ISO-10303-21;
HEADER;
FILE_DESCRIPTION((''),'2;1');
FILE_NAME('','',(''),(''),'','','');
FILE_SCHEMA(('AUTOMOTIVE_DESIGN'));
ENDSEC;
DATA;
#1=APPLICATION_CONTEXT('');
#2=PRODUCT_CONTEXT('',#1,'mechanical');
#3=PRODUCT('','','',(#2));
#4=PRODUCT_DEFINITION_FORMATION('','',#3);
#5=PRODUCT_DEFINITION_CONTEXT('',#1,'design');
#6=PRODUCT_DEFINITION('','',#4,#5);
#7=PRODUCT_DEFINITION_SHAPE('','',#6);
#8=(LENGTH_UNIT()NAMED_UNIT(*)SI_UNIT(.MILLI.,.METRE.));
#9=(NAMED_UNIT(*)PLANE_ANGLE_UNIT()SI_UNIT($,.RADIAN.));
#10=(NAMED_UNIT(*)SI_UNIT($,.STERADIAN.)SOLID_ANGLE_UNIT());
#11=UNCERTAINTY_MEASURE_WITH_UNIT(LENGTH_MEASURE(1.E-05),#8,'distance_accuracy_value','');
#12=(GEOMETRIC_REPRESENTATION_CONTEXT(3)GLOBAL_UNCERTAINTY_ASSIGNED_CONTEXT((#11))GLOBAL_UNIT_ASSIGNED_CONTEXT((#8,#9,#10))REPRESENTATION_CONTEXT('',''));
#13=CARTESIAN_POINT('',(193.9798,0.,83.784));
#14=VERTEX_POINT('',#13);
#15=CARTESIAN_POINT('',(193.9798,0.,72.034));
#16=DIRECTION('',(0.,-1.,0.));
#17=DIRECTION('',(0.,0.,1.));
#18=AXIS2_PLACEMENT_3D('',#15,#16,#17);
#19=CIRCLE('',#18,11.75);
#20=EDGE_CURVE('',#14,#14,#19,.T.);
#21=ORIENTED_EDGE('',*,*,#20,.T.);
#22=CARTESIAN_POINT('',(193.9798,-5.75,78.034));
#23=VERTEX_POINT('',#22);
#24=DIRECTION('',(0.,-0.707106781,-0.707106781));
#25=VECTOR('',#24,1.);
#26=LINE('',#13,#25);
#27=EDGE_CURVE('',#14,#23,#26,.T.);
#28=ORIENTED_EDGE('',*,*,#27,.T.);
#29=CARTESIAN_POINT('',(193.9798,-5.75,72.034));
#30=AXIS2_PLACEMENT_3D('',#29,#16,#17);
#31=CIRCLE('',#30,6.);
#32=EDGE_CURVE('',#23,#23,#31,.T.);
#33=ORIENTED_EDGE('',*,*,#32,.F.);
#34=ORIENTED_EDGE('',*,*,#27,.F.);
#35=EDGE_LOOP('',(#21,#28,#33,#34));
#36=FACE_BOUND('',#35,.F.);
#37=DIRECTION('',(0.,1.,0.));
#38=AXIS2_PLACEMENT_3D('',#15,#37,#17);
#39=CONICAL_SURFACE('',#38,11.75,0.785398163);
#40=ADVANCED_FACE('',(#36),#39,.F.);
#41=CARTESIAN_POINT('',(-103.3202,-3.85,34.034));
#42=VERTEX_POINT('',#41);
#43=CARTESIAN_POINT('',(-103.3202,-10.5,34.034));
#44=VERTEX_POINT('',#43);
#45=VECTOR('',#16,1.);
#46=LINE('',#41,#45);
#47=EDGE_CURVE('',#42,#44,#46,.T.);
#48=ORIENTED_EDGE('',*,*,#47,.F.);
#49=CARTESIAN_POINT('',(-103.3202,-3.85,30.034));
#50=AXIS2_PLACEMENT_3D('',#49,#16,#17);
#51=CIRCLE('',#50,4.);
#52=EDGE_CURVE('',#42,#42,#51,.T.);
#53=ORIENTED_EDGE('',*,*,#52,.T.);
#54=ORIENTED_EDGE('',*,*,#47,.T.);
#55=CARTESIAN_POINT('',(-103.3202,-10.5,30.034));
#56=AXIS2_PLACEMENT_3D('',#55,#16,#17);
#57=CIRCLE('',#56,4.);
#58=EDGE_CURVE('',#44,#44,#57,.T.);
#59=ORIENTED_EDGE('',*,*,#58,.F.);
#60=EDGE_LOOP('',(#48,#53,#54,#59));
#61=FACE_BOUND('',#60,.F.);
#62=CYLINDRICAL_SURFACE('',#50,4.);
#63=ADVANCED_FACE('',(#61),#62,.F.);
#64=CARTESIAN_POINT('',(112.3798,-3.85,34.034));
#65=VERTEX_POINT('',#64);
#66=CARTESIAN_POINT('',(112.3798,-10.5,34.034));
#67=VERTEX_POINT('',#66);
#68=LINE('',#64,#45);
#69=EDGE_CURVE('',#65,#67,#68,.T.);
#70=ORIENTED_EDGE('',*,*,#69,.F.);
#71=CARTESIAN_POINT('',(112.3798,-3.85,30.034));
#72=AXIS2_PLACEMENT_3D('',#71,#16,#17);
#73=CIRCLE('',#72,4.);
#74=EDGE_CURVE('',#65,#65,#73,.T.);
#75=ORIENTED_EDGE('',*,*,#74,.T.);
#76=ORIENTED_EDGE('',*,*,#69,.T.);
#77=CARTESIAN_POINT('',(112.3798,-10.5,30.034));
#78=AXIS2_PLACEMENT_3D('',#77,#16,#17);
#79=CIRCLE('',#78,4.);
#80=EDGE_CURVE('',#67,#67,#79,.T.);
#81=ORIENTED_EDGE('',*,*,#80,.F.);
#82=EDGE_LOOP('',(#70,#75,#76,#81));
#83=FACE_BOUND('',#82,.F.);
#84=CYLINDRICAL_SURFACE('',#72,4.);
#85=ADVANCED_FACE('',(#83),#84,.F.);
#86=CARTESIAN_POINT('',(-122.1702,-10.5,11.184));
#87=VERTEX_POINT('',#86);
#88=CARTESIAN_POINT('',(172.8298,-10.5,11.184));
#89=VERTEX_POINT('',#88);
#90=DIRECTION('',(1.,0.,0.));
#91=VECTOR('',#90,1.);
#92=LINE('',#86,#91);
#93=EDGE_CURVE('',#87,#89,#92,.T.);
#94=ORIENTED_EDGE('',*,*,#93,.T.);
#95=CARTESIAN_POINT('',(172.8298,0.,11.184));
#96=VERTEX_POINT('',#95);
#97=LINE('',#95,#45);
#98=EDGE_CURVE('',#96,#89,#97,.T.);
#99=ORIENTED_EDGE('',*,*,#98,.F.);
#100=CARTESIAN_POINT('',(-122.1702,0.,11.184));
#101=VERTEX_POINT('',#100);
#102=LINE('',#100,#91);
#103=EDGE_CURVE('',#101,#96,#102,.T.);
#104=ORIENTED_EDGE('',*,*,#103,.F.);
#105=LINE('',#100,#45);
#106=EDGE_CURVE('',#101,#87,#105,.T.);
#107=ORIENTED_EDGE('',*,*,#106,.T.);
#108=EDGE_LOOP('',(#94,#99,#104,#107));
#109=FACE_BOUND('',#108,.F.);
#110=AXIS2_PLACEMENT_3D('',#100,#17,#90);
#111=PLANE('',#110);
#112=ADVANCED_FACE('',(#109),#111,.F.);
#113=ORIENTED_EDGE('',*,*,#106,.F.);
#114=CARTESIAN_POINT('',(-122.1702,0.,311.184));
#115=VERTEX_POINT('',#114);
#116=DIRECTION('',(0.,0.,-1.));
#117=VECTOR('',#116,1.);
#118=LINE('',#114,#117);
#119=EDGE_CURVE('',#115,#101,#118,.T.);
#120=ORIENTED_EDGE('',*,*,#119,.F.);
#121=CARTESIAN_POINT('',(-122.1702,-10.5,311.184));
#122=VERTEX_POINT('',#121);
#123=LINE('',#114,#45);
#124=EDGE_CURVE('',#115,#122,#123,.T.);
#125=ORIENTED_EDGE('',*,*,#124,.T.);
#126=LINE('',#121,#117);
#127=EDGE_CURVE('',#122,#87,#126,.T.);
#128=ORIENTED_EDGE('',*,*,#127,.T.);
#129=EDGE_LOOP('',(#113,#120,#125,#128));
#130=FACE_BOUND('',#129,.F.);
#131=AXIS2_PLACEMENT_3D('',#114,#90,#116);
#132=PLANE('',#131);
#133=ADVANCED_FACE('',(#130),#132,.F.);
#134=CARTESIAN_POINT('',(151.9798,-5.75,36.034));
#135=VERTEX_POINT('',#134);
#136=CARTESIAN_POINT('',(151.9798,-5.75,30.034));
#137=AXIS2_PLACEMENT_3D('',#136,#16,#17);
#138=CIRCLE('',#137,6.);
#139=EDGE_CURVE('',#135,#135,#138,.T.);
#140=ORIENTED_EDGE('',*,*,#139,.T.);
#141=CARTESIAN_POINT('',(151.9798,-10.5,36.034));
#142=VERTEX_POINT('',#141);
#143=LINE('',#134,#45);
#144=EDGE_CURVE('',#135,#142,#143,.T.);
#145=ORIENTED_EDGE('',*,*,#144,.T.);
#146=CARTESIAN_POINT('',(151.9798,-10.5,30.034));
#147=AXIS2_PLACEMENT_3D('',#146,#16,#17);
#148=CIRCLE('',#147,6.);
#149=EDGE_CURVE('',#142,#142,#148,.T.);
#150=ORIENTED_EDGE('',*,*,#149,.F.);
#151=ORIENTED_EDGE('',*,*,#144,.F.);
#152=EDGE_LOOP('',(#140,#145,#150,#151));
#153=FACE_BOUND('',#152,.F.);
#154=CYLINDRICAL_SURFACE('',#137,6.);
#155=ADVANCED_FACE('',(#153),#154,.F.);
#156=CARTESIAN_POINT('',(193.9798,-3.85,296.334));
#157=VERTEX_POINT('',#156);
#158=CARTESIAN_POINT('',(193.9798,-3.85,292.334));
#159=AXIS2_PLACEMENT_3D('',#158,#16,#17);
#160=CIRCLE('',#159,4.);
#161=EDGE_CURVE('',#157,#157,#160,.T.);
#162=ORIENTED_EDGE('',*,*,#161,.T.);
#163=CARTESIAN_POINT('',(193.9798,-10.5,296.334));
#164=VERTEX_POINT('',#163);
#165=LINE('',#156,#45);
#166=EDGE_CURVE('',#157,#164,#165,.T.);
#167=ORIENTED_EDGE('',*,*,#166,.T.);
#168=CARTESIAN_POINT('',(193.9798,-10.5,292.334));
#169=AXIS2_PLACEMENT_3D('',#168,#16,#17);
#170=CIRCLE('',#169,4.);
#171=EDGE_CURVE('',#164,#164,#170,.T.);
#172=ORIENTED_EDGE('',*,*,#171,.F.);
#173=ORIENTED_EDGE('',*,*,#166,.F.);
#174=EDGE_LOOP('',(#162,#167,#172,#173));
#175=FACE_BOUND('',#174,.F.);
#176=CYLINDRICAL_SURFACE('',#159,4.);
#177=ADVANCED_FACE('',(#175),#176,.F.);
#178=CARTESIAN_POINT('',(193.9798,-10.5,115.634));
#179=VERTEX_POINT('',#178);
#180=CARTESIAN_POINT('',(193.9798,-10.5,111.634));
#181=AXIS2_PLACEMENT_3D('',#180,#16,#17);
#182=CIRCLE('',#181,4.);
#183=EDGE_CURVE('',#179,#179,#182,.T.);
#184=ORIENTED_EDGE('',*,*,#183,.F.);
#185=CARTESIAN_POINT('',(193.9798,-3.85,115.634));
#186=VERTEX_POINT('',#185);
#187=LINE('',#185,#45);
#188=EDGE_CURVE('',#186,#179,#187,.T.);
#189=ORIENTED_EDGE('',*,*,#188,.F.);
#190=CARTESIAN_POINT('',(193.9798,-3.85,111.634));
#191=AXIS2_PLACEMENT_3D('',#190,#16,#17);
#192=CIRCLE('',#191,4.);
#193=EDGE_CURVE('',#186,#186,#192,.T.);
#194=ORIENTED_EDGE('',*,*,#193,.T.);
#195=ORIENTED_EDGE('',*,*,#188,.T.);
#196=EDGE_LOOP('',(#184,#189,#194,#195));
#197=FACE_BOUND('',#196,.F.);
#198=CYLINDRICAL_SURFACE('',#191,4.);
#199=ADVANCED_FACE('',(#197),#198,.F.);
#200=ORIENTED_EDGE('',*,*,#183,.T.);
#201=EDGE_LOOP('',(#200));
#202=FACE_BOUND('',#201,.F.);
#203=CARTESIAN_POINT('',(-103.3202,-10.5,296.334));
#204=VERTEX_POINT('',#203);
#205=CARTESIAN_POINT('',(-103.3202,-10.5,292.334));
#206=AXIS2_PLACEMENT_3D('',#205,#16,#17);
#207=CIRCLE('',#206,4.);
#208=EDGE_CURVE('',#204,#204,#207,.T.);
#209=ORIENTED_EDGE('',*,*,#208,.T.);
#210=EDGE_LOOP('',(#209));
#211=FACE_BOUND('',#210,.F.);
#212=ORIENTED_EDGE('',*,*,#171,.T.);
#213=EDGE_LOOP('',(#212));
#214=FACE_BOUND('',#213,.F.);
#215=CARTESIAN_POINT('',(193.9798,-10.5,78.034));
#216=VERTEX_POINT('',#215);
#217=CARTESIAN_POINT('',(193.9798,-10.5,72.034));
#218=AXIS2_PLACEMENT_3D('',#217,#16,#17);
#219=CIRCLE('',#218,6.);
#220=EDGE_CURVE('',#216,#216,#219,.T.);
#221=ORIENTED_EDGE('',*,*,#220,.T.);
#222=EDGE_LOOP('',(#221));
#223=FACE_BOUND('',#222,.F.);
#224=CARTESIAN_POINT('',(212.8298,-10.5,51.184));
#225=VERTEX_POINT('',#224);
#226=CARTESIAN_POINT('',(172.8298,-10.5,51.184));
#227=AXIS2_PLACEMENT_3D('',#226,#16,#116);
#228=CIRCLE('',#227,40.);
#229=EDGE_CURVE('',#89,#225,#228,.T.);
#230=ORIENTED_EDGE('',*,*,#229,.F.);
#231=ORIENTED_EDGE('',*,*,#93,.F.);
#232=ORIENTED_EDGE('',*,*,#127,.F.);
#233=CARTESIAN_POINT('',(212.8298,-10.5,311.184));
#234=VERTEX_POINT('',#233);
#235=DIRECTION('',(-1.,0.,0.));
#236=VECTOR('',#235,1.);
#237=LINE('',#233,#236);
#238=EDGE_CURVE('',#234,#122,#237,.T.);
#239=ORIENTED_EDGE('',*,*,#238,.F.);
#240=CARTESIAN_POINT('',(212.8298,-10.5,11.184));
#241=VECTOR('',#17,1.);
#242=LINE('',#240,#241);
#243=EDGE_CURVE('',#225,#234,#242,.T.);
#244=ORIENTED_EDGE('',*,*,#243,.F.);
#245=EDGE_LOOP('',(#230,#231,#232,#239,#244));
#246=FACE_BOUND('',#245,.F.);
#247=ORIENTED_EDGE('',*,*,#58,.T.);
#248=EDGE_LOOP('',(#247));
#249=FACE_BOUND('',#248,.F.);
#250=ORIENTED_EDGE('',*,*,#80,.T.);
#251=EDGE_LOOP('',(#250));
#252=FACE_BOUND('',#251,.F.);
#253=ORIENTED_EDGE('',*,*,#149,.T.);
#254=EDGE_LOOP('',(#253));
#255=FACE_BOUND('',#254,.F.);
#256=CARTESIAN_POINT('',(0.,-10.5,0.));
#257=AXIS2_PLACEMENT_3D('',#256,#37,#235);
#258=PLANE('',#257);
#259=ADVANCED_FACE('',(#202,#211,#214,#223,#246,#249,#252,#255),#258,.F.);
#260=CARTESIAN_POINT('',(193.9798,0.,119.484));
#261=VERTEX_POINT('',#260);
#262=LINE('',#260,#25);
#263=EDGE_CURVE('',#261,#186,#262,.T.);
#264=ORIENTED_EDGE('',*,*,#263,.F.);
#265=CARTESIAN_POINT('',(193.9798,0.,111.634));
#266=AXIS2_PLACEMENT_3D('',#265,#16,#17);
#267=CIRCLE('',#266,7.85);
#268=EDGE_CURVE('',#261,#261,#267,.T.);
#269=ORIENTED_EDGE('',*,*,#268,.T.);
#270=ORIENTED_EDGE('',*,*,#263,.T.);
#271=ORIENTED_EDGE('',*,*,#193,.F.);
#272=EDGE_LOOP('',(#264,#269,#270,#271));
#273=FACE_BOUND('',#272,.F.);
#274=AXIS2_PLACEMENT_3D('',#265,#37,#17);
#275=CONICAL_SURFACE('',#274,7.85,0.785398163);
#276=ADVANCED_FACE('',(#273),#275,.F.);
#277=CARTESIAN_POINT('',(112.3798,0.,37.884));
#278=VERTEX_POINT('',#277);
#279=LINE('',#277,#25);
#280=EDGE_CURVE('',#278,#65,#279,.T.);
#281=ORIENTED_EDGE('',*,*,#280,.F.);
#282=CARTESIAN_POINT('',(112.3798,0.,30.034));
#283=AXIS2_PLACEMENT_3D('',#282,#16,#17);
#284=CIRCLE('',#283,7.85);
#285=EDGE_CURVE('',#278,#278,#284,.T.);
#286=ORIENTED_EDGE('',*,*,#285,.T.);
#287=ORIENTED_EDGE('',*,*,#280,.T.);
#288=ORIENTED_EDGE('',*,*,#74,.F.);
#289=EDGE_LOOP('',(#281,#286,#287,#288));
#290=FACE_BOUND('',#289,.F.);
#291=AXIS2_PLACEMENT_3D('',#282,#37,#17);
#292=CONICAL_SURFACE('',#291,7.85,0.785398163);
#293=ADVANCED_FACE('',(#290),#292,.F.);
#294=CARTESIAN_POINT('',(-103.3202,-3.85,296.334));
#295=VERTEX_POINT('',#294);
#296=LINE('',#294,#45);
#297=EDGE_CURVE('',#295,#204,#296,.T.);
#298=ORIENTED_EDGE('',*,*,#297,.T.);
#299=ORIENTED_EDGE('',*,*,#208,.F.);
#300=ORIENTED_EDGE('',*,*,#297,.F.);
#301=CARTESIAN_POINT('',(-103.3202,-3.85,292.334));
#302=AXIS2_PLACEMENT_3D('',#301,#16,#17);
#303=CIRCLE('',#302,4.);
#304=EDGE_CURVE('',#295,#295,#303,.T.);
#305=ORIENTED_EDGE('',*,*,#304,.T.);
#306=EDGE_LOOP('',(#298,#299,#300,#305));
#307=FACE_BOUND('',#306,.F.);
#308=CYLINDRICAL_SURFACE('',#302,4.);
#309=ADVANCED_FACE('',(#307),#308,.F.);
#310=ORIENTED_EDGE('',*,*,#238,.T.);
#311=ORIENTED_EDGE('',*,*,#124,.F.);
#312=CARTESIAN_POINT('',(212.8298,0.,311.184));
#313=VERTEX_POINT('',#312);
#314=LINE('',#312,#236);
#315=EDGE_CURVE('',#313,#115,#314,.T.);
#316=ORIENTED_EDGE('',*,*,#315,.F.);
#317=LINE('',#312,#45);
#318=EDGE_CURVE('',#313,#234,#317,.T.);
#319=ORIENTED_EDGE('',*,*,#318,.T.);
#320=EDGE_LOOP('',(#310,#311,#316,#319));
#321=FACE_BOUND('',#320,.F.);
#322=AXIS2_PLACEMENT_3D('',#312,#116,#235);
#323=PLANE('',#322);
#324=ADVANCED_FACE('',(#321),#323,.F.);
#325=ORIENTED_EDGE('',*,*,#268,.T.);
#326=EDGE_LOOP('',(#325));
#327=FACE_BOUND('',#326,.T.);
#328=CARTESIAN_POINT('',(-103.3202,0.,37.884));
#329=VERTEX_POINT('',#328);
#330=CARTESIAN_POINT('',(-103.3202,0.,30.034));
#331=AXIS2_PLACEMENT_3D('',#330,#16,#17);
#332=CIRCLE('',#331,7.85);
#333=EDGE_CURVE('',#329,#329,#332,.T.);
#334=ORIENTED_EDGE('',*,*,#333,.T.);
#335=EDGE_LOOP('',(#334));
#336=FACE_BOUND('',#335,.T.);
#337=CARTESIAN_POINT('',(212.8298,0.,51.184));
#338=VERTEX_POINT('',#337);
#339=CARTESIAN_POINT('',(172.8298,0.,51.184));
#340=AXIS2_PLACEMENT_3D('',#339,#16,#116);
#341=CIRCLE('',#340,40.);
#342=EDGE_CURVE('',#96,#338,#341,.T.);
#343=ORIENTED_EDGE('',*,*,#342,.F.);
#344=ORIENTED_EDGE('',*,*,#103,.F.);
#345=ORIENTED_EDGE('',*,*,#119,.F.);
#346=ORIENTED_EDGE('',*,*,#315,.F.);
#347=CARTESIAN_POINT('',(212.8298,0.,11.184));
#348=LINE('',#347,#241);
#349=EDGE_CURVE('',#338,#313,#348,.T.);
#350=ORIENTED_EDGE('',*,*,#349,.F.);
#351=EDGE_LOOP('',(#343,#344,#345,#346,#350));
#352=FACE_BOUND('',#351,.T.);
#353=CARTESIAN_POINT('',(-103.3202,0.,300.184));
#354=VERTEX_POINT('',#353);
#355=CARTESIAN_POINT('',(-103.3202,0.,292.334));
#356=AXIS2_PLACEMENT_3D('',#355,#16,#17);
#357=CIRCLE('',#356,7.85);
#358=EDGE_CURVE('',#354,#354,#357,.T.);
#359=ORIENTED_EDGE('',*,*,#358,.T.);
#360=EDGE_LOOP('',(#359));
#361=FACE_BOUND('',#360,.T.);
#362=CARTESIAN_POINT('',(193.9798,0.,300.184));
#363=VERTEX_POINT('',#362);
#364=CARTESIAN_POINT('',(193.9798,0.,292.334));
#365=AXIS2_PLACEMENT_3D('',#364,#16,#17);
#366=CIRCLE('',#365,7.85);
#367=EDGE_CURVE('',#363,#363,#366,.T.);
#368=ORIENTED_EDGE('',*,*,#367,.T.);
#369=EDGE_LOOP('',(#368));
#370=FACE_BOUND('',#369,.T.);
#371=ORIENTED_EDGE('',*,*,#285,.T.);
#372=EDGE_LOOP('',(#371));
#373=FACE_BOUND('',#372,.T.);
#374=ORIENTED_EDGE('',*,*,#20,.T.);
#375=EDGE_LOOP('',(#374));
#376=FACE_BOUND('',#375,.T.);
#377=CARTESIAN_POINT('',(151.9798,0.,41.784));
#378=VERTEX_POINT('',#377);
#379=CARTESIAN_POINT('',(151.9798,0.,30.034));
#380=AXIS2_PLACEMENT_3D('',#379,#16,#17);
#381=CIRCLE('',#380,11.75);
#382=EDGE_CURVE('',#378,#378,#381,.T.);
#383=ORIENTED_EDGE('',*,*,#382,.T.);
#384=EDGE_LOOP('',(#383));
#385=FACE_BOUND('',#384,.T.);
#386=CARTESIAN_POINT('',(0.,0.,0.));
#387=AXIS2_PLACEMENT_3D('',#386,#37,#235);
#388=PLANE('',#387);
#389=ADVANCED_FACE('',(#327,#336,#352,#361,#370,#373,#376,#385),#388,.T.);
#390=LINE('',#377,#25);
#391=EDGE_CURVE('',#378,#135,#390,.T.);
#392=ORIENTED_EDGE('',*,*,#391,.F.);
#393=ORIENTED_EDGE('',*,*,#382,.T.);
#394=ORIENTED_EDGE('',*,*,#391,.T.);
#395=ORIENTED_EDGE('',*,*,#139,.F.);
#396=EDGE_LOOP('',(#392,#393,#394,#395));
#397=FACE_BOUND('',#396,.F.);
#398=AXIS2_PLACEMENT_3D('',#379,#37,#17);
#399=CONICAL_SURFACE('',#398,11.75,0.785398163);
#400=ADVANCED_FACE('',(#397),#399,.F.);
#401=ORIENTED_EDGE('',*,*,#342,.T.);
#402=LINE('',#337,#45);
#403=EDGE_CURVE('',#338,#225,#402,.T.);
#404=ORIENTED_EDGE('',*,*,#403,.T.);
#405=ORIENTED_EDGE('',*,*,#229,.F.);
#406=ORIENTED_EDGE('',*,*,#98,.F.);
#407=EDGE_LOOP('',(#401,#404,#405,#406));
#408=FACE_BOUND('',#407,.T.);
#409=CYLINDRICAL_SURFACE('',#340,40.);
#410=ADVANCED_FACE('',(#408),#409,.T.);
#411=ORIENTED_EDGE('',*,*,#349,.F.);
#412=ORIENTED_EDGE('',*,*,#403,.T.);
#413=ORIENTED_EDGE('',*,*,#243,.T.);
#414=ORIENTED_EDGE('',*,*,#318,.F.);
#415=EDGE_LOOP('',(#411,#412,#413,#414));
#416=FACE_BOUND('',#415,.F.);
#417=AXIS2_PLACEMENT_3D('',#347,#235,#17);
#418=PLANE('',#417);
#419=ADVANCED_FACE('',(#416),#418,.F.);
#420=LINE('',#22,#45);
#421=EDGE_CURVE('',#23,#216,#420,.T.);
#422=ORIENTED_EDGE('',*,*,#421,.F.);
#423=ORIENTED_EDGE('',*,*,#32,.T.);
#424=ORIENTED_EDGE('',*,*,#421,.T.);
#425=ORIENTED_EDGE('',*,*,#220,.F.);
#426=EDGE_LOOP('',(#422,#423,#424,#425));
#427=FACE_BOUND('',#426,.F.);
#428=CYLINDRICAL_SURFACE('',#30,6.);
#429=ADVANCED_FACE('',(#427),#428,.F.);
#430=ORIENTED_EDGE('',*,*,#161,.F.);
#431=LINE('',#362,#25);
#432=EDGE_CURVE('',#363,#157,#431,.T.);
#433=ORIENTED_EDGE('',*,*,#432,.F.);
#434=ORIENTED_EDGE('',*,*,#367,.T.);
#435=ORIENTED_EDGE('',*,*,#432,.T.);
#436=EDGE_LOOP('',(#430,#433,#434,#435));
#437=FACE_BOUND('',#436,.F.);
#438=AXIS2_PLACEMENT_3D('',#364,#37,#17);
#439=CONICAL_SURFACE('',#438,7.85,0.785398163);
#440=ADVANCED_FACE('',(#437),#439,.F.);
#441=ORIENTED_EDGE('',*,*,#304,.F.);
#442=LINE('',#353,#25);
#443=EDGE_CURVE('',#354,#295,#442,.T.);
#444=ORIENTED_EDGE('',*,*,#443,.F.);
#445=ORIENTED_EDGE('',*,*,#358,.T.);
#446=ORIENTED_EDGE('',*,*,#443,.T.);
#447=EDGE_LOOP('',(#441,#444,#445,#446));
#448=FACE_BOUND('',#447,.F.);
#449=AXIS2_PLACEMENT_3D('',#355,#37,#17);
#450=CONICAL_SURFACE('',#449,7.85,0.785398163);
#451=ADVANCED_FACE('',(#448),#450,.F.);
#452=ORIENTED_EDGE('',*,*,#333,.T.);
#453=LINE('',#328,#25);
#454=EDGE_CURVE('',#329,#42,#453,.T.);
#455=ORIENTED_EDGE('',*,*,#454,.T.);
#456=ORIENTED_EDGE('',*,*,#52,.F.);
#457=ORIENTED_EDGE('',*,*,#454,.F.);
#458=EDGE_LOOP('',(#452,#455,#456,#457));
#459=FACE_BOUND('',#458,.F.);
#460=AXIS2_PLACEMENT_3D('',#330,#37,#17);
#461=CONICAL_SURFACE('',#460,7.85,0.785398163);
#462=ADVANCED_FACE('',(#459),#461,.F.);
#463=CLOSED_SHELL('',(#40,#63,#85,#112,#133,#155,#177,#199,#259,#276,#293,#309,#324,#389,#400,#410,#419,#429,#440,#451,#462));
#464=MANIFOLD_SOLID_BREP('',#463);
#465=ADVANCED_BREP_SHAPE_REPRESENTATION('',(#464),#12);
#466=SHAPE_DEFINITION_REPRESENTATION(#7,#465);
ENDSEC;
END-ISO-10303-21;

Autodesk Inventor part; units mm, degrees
ref_plane "YZ Plane" through (0, 0, 0) normal (1, 0, 0) x (0, 1, 0)
ref_plane "XZ Plane" through (0, 0, 0) normal (0, 1, 0) x (-1, 0, 0)
ref_plane "XY Plane" through (0, 0, 0) normal (0, 0, 1) x (1, 0, 0)
sketch "Sketch1" plane through (0, 0, 0) normal (0, 1, 0) x (-1, 0, 0)
  circle A0 centre (275.1702, 127.184) radius 4.5 projected
  circle A1 centre (341.1702, 61.184) radius 4.5 projected
  circle A2 centre (341.1702, 193.184) radius 4.5 projected
  circle A3 centre (407.1702, 127.184) radius 4.5 projected
  line L0 (404.6478, 74.313) -> (450.2561, 28.7046) projected
  arc A4 (450.2561, 28.7046) -> (457.1702, 51.184) centre (417.1702, 51.184) ccw projected
  line L1 (457.1702, 51.184) -> (457.1702, 311.184) projected
  line L2 (457.1702, 311.184) -> (122.1702, 311.184) projected
  line L3 (122.1702, 311.184) -> (122.1702, 11.184) projected
  line L4 (122.1702, 11.184) -> (417.1702, 11.184) projected
  arc A5 (417.1702, 11.184) -> (439.6495, 18.098) centre (417.1702, 51.184) ccw projected
  line L5 (439.6495, 18.098) -> (394.0412, 63.7064) projected
  arc A6 (404.6478, 74.313) -> (394.0412, 63.7064) centre (399.3445, 69.0097) ccw projected
  circle A7 centre (438.3202, 72.034) radius 11.75 projected
  circle A8 centre (396.3202, 30.034) radius 11.75 projected
  circle A9 centre (356.7202, 30.034) radius 7.85 projected
  circle A10 centre (438.3202, 111.634) radius 7.85 projected
  circle A11 centre (141.0202, 292.334) radius 7.85 projected
  circle A12 centre (141.0202, 30.034) radius 7.85 projected
  circle A13 centre (438.3202, 292.334) radius 7.85 projected
  line L6 (122.1702, 11.184) -> (-212.8298, 11.184)
  line L7 (-212.8298, 11.184) -> (-212.8298, 311.184)
  line L8 (-212.8298, 311.184) -> (122.1702, 311.184)
  line L9 (122.1702, 311.184) -> (122.1702, 11.184)
  point P0 (0, 0)
  point P1 (-193.9798, 72.034)
  point P2 (-151.9798, 30.034)
  point P3 (-112.3798, 30.034)
  point P4 (-193.9798, 111.634)
  point P5 (103.3202, 292.334)
  point P6 (103.3202, 30.034)
  point P7 (-193.9798, 292.334)
  point P8 (103.3202, 292.334)
  point P9 (103.3202, 30.034)
  point P10 (-112.3798, 30.034)
  point P11 (-151.9798, 30.034)
  point P12 (-193.9798, 72.034)
  point P13 (-193.9798, 111.634)
  point P14 (-193.9798, 292.334)
  dimension "d0" = 335
  dimension "d1" = 300
  dimension "d2" = 0
  dimension "d3" = 0
extrude "Extrusion1" add sketch "Sketch1" against normal blind 10.5 contours L3 L6 L7 L8
hole "Hole2" at (-103.3202, 0, 292.334) at (-103.3202, 0, 30.034) at (112.3798, 0, 30.034) at (193.9798, 0, 111.634) at (193.9798, 0, 292.334) direction (0, -1, 0) diameter 8 end through all countersink diameter 15.7 countersink angle 90
hole "Hole3" at (151.9798, 0, 30.034) at (193.9798, 0, 72.034) direction (0, -1, 0) diameter 12 end through all countersink diameter 23.5 countersink angle 90
fillet "Fillet1" radius 40 1 edges at (212.8298, -5.25, 11.184)
properties part number "Right top plate"
